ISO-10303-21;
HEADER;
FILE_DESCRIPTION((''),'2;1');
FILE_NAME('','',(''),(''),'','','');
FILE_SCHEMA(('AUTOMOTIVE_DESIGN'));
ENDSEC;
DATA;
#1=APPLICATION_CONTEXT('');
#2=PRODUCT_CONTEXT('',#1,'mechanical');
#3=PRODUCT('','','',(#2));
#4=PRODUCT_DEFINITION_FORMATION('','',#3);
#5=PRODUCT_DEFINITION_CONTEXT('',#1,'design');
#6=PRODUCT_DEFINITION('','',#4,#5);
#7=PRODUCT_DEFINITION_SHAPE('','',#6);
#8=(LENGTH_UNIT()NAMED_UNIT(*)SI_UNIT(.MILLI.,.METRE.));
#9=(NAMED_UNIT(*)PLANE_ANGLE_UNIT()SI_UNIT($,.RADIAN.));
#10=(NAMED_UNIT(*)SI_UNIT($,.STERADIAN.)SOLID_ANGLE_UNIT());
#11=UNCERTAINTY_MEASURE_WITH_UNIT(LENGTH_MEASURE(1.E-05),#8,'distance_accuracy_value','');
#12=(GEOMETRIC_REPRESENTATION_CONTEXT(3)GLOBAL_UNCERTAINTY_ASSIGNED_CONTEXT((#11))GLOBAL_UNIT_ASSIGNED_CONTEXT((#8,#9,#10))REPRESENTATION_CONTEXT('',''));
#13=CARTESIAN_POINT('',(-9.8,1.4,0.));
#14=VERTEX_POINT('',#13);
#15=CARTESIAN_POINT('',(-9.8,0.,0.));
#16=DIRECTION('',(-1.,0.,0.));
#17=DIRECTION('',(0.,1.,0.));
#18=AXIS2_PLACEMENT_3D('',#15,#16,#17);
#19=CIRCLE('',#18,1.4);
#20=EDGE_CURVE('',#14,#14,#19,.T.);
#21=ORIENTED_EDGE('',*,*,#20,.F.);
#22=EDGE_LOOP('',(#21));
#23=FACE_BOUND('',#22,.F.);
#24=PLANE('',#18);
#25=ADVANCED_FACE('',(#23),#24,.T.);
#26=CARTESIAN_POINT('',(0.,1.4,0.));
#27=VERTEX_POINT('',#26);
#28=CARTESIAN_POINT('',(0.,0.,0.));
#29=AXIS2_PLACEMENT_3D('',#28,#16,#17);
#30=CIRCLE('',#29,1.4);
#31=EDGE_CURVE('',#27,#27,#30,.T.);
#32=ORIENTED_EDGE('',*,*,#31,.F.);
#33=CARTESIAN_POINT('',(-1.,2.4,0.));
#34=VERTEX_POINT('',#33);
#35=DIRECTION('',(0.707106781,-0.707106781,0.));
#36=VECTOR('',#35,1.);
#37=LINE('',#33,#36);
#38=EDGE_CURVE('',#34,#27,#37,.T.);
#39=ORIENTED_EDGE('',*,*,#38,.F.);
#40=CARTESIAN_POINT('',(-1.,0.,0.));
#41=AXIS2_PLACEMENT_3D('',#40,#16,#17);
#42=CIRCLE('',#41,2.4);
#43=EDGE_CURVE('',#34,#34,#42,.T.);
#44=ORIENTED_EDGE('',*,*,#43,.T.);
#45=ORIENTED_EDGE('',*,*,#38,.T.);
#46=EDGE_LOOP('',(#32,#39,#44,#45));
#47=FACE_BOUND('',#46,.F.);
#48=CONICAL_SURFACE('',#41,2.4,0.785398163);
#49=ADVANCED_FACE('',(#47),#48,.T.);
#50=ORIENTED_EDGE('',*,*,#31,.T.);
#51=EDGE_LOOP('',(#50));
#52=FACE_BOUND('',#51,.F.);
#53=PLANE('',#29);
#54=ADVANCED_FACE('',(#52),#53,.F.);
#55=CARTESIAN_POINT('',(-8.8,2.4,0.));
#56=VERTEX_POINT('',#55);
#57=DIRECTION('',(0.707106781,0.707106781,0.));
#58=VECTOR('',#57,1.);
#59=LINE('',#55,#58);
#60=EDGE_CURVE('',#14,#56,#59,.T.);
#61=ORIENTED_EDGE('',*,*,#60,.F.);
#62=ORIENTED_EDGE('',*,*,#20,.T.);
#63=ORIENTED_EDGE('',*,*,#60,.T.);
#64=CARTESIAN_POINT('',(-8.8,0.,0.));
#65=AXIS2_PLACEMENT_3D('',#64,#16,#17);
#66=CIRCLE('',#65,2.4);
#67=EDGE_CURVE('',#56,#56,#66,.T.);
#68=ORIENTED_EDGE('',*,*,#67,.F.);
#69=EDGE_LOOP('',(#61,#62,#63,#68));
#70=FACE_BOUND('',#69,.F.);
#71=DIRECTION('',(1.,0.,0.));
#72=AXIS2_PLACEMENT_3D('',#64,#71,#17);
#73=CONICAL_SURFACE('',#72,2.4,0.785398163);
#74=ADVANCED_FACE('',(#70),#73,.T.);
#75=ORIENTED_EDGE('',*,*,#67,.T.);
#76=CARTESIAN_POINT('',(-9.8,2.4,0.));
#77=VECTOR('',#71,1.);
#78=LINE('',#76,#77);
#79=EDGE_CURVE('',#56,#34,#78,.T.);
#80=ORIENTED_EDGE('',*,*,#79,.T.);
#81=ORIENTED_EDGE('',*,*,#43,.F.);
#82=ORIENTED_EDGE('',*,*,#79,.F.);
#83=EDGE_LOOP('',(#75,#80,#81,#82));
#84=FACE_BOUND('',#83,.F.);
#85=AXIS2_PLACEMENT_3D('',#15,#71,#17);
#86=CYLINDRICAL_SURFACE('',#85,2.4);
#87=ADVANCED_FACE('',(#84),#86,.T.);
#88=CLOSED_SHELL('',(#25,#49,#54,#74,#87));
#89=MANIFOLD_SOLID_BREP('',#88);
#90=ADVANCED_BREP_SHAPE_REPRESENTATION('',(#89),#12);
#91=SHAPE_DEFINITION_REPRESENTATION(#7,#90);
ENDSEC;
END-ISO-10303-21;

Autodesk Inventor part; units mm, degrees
ref_plane "YZ Plane" through (0, 0, 0) normal (1, 0, 0) x (0, 1, 0)
ref_plane "XZ Plane" through (0, 0, 0) normal (0, 1, 0) x (-1, 0, 0)
ref_plane "XY Plane" through (0, 0, 0) normal (0, 0, 1) x (1, 0, 0)
sketch "Sketch1" plane through (0, 0, 0) normal (0, 0, 1) x (1, 0, 0)
  line L0 (0, 0) -> (-9.8, 0)
  line L1 (-9.8, 0) -> (-9.8, 2.4)
  line L2 (-9.8, 2.4) -> (0, 2.4)
  line L3 (0, 2.4) -> (0, 0)
  point P0 (-4.9, 0)
  dimension "d0" = 9.8
  dimension "d1" = 4.8
revolve "Revolution1" add sketch "Sketch1" angle 360 about axis through (0, 0, 0) along (-1, 0, 0)
chamfer "Chamfer1" distance 1 angle 45 2 edges at (-9.8, -2.4, 0) (0, -2.4, 0)
properties part number "joint_white_part_1"
